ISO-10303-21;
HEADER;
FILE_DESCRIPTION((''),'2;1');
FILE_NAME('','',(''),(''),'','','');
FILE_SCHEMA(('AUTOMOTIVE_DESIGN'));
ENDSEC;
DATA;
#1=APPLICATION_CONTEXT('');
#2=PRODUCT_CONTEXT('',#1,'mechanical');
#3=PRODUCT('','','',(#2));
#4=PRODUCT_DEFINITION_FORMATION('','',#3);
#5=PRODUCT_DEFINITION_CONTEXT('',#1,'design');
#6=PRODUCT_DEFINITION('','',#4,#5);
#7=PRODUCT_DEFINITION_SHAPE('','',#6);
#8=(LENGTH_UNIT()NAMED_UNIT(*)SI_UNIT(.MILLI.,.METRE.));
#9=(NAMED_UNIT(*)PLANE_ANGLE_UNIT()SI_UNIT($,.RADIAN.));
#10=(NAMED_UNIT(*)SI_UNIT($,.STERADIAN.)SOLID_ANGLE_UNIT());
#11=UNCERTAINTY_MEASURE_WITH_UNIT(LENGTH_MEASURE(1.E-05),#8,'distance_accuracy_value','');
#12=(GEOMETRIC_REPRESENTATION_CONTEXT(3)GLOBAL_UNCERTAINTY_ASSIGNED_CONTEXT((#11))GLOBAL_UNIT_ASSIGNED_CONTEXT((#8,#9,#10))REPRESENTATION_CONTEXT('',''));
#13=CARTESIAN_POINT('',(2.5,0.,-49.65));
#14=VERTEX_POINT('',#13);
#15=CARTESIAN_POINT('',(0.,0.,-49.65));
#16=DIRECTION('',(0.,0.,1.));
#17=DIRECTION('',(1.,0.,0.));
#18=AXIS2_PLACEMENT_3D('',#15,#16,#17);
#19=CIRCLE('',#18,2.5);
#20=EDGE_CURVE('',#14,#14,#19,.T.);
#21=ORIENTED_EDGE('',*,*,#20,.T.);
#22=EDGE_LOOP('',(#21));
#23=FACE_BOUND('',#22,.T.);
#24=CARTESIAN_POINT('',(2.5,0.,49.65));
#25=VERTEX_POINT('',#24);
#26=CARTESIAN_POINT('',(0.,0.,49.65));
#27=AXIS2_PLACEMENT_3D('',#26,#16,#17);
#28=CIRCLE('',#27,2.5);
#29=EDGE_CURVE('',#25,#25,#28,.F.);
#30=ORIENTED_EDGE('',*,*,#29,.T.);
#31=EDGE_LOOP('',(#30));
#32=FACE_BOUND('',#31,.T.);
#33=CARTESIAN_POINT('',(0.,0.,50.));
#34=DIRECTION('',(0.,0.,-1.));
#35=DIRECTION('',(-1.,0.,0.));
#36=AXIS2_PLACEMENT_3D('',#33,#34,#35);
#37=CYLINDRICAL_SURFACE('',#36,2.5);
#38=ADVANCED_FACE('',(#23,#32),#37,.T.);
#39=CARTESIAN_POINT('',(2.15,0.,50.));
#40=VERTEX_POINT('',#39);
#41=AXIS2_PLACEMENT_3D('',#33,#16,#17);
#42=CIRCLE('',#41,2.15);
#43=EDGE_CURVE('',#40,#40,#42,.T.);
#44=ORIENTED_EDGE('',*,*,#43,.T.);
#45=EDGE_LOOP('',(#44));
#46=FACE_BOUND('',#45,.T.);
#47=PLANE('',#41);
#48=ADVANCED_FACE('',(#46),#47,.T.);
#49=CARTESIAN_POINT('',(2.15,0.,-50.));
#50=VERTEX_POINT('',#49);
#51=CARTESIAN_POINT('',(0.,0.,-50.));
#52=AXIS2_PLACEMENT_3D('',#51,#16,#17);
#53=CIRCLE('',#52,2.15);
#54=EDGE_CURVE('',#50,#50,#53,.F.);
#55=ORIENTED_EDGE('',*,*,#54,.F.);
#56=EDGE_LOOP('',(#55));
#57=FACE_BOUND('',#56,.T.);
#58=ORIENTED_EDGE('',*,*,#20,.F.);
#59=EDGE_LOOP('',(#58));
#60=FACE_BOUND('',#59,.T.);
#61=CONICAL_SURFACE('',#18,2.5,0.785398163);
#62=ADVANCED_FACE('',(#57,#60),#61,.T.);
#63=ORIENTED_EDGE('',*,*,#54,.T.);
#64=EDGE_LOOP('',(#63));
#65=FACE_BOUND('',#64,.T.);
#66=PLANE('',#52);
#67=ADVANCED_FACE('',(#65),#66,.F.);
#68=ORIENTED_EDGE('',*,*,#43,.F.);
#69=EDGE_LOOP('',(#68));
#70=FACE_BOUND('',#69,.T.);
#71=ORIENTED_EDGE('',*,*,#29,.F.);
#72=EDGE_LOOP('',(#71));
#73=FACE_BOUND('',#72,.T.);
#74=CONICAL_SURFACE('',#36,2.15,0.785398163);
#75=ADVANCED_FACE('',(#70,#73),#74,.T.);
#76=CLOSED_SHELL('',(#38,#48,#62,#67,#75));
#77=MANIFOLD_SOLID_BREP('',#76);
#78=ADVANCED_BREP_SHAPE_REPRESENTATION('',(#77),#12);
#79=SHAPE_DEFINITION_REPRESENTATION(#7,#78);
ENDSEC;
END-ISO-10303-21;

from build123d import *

# Parameters (mm, degrees)
SKETCH3_R                = 2.5
BOSS_EXTRUDE1_DEPTH      = 50
BOSS_EXTRUDE1_DEPTH_BACK = 50
CHAMFER1_SIZE            = 0.35


with BuildPart() as part:
    # Sketch3 → Boss-Extrude1 (new body, two sides)
    with BuildSketch(Plane.XY) as boss_extrude1_sk:
        Circle(SKETCH3_R)
    extrude(amount=BOSS_EXTRUDE1_DEPTH)
    extrude(boss_extrude1_sk.sketch, amount=-BOSS_EXTRUDE1_DEPTH_BACK)

    # Chamfer1
    chamfer1_edges = [part.edges().sort_by_distance(p)[0] for p in [
        (-2.5, 0, -50),
        (-2.5, 0, 50),
    ]]
    chamfer(chamfer1_edges, length=CHAMFER1_SIZE)


solid = part.part
